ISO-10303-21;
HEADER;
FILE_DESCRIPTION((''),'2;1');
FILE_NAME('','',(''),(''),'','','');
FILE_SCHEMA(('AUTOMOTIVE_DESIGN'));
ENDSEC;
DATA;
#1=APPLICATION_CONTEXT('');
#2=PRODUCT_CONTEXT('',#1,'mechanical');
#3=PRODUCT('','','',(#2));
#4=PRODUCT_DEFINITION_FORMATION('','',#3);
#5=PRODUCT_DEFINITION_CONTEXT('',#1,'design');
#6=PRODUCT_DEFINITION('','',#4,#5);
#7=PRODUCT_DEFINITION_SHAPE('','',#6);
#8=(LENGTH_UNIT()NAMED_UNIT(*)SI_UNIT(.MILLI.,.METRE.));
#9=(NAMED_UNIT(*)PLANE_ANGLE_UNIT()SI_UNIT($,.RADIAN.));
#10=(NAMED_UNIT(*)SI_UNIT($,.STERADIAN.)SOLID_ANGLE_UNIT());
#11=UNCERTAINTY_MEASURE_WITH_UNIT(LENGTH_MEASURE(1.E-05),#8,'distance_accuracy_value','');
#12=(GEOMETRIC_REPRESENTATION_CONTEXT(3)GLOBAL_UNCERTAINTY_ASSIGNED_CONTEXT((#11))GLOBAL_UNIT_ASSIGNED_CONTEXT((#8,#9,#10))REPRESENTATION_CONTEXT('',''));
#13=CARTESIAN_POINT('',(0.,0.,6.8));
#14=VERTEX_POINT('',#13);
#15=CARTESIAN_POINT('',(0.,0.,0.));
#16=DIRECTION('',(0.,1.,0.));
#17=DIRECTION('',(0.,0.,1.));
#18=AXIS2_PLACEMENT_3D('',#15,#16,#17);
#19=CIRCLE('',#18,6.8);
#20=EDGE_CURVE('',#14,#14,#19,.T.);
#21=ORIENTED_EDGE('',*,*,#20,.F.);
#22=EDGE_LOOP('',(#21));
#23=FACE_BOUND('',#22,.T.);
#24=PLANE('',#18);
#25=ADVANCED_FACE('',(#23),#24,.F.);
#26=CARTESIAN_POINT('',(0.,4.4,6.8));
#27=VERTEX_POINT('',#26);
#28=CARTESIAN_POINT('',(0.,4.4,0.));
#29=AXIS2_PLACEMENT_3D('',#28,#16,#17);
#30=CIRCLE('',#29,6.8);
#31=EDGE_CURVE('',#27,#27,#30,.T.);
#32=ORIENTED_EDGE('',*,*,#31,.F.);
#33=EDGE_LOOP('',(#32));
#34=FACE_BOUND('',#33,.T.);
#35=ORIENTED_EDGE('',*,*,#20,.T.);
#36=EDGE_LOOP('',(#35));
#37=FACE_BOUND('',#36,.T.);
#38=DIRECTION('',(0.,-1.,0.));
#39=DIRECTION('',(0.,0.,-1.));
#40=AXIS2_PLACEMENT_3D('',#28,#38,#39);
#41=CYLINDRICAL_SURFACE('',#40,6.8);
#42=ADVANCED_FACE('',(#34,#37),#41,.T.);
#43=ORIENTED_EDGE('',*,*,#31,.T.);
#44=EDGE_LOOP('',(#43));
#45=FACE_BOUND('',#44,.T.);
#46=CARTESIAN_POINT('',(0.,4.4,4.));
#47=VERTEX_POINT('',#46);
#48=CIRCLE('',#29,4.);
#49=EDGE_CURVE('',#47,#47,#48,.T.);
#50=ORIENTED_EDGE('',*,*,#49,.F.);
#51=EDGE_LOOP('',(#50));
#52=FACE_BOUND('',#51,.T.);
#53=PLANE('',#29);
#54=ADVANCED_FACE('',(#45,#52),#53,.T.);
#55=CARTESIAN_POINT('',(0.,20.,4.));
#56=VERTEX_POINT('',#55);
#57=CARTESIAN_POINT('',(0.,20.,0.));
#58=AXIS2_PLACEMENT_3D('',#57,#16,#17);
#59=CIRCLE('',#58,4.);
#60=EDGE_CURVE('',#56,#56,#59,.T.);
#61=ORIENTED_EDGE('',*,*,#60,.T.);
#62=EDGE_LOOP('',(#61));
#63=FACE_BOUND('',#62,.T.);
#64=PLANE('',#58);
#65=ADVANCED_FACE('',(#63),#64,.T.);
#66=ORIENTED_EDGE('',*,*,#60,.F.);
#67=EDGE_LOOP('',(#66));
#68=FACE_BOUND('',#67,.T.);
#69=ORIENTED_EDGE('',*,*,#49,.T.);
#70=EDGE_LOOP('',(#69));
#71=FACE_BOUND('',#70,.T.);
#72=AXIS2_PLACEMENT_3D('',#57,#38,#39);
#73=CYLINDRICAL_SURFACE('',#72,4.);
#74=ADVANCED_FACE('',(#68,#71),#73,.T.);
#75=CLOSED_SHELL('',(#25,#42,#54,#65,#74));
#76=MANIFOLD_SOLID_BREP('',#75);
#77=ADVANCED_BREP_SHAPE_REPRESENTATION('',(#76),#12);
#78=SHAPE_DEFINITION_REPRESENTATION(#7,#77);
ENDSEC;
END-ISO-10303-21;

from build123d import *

# Parameters (mm, degrees)
SKETCH1_R           = 6.8
BOSS_EXTRUDE1_DEPTH = 4.4
SKETCH2_R           = 4
BOSS_EXTRUDE2_DEPTH = 15.6


with BuildPart() as part:
    # Sketch1 → Boss-Extrude1 (new body)
    with BuildSketch(Plane(origin=(0, 0, 0), x_dir=(1, 0, 0), z_dir=(0, 1, 0))):
        with Locations(Location((0, 0, 0), (0, 0, 270))):
            Circle(SKETCH1_R)
    extrude(amount=BOSS_EXTRUDE1_DEPTH)

    # Sketch2 → Boss-Extrude2 (add)
    with BuildSketch(Plane(origin=(0, 4.4, 0), x_dir=(1, 0, 0), z_dir=(0, 1, 0))):
        with Locations(Location((0, 0, 0), (0, 0, 270))):
            Circle(SKETCH2_R)
    extrude(amount=BOSS_EXTRUDE2_DEPTH)


solid = part.part
